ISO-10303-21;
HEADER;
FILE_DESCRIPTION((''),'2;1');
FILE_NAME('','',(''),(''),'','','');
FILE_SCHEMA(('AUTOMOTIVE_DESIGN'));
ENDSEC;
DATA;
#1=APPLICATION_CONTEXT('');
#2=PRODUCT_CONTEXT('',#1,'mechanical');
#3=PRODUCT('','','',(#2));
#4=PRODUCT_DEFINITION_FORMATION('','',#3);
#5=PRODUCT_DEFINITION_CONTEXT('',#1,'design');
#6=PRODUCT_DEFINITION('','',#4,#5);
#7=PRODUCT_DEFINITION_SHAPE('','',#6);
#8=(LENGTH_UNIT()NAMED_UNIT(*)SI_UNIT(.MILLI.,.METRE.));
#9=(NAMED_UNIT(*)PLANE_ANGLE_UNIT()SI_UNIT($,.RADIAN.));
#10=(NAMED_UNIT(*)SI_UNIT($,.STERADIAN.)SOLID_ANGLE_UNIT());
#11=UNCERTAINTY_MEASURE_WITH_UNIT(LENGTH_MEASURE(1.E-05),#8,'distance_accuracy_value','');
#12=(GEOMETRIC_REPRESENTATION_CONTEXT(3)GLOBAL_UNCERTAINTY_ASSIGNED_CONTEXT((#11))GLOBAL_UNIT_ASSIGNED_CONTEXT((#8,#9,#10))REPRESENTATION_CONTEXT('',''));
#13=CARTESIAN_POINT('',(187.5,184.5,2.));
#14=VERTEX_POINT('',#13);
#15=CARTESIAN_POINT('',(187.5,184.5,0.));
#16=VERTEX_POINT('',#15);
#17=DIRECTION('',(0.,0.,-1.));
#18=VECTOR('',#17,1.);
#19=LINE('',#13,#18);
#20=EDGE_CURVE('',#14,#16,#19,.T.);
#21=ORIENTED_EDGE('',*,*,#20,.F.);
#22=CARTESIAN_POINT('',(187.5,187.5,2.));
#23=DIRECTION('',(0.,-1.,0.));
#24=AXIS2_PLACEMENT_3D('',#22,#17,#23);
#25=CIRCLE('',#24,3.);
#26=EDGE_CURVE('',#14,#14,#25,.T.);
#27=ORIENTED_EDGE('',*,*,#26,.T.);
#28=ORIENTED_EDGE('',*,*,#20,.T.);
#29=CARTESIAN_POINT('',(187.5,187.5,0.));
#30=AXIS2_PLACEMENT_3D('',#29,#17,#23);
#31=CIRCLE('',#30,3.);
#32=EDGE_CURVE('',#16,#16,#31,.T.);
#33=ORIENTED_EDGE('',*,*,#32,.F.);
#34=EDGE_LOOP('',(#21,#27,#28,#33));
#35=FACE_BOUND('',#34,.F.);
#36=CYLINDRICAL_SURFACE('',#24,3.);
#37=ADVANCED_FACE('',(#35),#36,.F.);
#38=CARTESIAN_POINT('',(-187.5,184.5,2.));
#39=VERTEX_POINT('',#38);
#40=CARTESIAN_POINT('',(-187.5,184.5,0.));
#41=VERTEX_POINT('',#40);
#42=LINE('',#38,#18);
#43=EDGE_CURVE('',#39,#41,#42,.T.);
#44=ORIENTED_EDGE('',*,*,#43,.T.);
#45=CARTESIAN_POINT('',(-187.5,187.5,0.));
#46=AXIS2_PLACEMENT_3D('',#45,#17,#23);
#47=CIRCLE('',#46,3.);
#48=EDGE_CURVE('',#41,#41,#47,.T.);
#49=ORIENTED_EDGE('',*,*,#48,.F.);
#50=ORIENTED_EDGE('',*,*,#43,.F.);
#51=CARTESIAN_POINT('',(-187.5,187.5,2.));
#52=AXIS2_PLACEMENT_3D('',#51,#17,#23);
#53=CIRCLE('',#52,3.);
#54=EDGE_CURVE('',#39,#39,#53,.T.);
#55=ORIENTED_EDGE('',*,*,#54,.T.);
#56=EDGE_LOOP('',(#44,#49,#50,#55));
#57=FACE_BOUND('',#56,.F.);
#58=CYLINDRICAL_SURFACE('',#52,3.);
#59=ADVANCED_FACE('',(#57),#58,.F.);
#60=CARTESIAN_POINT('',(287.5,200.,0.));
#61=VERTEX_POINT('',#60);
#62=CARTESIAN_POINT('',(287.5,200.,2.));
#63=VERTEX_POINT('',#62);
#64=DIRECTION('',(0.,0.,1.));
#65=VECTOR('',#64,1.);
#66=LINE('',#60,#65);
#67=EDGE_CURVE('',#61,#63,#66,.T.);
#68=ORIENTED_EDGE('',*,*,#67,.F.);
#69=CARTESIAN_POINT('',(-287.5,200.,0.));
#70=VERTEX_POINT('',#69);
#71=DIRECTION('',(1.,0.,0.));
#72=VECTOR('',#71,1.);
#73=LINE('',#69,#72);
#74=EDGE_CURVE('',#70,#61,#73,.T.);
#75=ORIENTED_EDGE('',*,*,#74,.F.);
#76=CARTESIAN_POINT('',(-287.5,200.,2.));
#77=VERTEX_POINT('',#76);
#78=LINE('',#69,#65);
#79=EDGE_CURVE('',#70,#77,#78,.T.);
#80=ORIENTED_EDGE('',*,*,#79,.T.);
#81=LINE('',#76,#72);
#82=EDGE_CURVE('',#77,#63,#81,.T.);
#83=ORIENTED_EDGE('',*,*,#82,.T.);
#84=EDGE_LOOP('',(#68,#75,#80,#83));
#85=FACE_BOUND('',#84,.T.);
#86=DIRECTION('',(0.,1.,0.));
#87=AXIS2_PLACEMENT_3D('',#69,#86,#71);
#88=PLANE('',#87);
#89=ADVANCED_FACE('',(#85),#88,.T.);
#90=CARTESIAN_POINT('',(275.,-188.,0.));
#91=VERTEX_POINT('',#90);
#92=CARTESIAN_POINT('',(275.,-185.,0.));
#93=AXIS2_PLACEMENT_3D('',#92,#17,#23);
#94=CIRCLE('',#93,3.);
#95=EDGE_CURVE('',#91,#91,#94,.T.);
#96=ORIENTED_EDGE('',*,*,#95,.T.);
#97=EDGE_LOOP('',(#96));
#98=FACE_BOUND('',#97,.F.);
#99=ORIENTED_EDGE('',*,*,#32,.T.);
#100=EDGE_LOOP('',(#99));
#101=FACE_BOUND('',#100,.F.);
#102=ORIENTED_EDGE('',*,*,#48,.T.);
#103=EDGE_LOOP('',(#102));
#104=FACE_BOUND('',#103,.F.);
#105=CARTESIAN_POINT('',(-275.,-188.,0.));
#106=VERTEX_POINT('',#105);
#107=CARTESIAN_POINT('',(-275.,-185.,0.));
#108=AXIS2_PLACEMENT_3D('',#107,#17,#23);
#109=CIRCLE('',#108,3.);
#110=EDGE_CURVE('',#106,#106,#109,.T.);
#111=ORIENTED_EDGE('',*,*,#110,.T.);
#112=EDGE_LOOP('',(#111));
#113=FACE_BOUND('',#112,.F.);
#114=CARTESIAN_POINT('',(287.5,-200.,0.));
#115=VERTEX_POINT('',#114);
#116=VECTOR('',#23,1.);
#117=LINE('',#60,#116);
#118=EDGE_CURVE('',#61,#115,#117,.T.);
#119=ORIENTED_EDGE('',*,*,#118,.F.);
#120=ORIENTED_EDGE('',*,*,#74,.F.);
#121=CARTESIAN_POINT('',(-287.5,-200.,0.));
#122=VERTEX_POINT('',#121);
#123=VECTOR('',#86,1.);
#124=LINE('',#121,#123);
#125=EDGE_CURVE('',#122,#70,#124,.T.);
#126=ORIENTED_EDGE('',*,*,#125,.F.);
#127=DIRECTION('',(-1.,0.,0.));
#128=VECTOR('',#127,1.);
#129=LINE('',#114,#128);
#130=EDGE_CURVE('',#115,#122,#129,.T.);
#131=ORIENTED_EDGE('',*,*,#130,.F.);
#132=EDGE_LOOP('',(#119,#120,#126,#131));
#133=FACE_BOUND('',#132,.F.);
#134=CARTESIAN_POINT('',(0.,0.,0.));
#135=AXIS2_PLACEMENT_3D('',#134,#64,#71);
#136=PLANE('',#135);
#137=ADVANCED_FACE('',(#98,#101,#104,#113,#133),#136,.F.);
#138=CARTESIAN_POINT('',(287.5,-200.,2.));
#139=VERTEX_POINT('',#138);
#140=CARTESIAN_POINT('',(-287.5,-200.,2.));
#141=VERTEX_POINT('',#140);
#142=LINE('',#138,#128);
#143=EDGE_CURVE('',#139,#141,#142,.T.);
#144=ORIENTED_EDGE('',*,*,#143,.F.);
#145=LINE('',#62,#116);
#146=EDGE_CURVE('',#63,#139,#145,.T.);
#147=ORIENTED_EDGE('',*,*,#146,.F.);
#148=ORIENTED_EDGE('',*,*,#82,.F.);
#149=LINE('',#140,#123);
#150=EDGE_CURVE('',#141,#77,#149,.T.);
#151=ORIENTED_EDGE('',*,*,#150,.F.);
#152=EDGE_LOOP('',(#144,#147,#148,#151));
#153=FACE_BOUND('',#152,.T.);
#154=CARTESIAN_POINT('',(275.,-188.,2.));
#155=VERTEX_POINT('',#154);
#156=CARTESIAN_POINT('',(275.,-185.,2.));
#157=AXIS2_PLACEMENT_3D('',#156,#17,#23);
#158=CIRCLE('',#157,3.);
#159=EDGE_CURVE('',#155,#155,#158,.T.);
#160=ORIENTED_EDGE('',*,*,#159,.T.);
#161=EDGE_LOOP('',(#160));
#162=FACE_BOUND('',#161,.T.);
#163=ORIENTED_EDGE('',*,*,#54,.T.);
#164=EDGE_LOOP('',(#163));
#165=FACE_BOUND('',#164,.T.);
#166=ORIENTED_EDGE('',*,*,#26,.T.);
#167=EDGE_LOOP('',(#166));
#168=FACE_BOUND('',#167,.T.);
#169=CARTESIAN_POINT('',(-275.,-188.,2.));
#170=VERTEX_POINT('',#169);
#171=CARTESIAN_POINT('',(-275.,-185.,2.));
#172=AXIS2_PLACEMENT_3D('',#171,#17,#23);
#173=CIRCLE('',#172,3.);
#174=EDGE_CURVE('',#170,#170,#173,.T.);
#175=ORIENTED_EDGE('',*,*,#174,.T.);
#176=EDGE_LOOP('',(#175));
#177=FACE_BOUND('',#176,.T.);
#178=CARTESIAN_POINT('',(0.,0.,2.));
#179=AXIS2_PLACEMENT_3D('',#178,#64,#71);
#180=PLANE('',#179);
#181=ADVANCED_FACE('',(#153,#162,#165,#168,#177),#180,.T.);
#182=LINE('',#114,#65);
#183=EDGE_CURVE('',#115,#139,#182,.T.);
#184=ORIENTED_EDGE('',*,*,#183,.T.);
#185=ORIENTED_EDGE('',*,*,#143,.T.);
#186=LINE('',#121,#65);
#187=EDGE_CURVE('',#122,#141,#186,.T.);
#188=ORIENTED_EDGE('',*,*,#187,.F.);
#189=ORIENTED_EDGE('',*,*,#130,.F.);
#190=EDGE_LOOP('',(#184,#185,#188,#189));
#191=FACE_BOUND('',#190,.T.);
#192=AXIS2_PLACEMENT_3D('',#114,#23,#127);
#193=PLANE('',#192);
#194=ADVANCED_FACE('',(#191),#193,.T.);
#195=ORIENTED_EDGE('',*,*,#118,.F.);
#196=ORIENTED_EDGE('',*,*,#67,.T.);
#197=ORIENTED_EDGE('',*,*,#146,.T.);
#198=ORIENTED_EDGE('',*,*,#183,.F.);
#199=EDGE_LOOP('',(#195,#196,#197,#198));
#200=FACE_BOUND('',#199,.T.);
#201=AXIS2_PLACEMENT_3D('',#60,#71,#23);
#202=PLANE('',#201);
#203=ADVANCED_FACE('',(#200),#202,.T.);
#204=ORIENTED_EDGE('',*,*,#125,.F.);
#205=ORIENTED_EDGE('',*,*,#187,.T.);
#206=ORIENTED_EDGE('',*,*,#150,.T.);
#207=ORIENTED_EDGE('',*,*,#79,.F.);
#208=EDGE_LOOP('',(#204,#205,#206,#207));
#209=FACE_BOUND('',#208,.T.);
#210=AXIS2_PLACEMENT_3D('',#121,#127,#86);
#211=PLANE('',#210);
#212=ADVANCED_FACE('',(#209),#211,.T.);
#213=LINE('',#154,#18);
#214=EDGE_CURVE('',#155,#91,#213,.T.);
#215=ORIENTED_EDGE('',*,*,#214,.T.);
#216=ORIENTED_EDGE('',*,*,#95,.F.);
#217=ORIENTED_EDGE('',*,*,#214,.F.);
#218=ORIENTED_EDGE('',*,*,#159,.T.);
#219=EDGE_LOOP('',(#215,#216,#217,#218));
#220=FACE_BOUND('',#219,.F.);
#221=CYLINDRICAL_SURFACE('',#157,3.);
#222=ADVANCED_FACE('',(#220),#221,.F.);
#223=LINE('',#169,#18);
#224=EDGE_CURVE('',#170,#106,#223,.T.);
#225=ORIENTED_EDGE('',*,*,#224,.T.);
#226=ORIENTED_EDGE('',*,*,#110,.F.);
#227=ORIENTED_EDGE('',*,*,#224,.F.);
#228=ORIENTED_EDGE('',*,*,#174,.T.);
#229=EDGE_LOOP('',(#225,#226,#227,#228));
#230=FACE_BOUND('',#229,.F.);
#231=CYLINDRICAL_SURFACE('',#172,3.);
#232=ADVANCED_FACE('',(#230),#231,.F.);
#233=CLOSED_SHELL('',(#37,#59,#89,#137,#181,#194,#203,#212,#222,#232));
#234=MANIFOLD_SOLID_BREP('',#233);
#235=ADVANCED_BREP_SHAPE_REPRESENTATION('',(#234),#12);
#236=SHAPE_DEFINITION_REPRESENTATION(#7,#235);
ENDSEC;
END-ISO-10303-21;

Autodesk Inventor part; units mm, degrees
ref_plane "YZ Plane" through (0, 0, 0) normal (1, 0, 0) x (0, 1, 0)
ref_plane "XZ Plane" through (0, 0, 0) normal (0, 1, 0) x (-1, 0, 0)
ref_plane "XY Plane" through (0, 0, 0) normal (0, 0, 1) x (1, 0, 0)
sketch "Sketch1" plane through (0, 0, 0) normal (0, 0, 1) x (1, 0, 0)
  line L0 (0, 280) -> (0, -280) construction
  line L1 (-402.5, 0) -> (402.5, 0) construction
  line L2 (-287.5, 200) -> (287.5, 200)
  line L3 (287.5, 200) -> (287.5, -200)
  line L4 (287.5, -200) -> (-287.5, -200)
  line L5 (-287.5, -200) -> (-287.5, 200)
  point P0 (0, 0)
  dimension "d0" = 400
  dimension "d1" = 575
extrude "Extrusion1" add sketch "Sketch1" along normal blind 2
sketch "Sketch2" plane through (0, 0, 2) normal (0, 0, 1) x (1, 0, 0)
  line L0 (287.5, 200) -> (-287.5, 200) construction
  line L1 (-287.5, 200) -> (-287.5, -200) construction
  line L2 (-287.5, -200) -> (287.5, -200) construction
  line L3 (287.5, -200) -> (287.5, 200) construction
  line L4 (-287.5, 200) -> (-287.5, -200) construction
  line L5 (-287.5, 187.5) -> (287.5, 187.5) construction
  line L6 (-287.5, -200) -> (287.5, -200) construction
  line L7 (275, -200) -> (275, 200) construction
  line L8 (-275, -200) -> (-275, 200) construction
  line L9 (287.5, 200) -> (-287.5, 200) construction
  point P0 (0, 0)
  point P1 (-187.5, 187.5)
  point P2 (187.5, 187.5)
  point P3 (275, -185)
  point P4 (-275, -185)
  dimension "d4" = 12.5
  dimension "d5" = 12.5
  dimension "d6" = 12.5
  dimension "d7" = 100
  dimension "d8" = 100
  dimension "d9" = 15
  dimension "d18" = 12.5
  dimension "d19" = 15
hole "Hole1" at (187.5, 187.5, 2) at (275, -185, 2) at (-187.5, 187.5, 2) at (-275, -185, 2) direction (0, 0, -1) diameter 6 end through all
properties part number "Side_Cover_V1"
